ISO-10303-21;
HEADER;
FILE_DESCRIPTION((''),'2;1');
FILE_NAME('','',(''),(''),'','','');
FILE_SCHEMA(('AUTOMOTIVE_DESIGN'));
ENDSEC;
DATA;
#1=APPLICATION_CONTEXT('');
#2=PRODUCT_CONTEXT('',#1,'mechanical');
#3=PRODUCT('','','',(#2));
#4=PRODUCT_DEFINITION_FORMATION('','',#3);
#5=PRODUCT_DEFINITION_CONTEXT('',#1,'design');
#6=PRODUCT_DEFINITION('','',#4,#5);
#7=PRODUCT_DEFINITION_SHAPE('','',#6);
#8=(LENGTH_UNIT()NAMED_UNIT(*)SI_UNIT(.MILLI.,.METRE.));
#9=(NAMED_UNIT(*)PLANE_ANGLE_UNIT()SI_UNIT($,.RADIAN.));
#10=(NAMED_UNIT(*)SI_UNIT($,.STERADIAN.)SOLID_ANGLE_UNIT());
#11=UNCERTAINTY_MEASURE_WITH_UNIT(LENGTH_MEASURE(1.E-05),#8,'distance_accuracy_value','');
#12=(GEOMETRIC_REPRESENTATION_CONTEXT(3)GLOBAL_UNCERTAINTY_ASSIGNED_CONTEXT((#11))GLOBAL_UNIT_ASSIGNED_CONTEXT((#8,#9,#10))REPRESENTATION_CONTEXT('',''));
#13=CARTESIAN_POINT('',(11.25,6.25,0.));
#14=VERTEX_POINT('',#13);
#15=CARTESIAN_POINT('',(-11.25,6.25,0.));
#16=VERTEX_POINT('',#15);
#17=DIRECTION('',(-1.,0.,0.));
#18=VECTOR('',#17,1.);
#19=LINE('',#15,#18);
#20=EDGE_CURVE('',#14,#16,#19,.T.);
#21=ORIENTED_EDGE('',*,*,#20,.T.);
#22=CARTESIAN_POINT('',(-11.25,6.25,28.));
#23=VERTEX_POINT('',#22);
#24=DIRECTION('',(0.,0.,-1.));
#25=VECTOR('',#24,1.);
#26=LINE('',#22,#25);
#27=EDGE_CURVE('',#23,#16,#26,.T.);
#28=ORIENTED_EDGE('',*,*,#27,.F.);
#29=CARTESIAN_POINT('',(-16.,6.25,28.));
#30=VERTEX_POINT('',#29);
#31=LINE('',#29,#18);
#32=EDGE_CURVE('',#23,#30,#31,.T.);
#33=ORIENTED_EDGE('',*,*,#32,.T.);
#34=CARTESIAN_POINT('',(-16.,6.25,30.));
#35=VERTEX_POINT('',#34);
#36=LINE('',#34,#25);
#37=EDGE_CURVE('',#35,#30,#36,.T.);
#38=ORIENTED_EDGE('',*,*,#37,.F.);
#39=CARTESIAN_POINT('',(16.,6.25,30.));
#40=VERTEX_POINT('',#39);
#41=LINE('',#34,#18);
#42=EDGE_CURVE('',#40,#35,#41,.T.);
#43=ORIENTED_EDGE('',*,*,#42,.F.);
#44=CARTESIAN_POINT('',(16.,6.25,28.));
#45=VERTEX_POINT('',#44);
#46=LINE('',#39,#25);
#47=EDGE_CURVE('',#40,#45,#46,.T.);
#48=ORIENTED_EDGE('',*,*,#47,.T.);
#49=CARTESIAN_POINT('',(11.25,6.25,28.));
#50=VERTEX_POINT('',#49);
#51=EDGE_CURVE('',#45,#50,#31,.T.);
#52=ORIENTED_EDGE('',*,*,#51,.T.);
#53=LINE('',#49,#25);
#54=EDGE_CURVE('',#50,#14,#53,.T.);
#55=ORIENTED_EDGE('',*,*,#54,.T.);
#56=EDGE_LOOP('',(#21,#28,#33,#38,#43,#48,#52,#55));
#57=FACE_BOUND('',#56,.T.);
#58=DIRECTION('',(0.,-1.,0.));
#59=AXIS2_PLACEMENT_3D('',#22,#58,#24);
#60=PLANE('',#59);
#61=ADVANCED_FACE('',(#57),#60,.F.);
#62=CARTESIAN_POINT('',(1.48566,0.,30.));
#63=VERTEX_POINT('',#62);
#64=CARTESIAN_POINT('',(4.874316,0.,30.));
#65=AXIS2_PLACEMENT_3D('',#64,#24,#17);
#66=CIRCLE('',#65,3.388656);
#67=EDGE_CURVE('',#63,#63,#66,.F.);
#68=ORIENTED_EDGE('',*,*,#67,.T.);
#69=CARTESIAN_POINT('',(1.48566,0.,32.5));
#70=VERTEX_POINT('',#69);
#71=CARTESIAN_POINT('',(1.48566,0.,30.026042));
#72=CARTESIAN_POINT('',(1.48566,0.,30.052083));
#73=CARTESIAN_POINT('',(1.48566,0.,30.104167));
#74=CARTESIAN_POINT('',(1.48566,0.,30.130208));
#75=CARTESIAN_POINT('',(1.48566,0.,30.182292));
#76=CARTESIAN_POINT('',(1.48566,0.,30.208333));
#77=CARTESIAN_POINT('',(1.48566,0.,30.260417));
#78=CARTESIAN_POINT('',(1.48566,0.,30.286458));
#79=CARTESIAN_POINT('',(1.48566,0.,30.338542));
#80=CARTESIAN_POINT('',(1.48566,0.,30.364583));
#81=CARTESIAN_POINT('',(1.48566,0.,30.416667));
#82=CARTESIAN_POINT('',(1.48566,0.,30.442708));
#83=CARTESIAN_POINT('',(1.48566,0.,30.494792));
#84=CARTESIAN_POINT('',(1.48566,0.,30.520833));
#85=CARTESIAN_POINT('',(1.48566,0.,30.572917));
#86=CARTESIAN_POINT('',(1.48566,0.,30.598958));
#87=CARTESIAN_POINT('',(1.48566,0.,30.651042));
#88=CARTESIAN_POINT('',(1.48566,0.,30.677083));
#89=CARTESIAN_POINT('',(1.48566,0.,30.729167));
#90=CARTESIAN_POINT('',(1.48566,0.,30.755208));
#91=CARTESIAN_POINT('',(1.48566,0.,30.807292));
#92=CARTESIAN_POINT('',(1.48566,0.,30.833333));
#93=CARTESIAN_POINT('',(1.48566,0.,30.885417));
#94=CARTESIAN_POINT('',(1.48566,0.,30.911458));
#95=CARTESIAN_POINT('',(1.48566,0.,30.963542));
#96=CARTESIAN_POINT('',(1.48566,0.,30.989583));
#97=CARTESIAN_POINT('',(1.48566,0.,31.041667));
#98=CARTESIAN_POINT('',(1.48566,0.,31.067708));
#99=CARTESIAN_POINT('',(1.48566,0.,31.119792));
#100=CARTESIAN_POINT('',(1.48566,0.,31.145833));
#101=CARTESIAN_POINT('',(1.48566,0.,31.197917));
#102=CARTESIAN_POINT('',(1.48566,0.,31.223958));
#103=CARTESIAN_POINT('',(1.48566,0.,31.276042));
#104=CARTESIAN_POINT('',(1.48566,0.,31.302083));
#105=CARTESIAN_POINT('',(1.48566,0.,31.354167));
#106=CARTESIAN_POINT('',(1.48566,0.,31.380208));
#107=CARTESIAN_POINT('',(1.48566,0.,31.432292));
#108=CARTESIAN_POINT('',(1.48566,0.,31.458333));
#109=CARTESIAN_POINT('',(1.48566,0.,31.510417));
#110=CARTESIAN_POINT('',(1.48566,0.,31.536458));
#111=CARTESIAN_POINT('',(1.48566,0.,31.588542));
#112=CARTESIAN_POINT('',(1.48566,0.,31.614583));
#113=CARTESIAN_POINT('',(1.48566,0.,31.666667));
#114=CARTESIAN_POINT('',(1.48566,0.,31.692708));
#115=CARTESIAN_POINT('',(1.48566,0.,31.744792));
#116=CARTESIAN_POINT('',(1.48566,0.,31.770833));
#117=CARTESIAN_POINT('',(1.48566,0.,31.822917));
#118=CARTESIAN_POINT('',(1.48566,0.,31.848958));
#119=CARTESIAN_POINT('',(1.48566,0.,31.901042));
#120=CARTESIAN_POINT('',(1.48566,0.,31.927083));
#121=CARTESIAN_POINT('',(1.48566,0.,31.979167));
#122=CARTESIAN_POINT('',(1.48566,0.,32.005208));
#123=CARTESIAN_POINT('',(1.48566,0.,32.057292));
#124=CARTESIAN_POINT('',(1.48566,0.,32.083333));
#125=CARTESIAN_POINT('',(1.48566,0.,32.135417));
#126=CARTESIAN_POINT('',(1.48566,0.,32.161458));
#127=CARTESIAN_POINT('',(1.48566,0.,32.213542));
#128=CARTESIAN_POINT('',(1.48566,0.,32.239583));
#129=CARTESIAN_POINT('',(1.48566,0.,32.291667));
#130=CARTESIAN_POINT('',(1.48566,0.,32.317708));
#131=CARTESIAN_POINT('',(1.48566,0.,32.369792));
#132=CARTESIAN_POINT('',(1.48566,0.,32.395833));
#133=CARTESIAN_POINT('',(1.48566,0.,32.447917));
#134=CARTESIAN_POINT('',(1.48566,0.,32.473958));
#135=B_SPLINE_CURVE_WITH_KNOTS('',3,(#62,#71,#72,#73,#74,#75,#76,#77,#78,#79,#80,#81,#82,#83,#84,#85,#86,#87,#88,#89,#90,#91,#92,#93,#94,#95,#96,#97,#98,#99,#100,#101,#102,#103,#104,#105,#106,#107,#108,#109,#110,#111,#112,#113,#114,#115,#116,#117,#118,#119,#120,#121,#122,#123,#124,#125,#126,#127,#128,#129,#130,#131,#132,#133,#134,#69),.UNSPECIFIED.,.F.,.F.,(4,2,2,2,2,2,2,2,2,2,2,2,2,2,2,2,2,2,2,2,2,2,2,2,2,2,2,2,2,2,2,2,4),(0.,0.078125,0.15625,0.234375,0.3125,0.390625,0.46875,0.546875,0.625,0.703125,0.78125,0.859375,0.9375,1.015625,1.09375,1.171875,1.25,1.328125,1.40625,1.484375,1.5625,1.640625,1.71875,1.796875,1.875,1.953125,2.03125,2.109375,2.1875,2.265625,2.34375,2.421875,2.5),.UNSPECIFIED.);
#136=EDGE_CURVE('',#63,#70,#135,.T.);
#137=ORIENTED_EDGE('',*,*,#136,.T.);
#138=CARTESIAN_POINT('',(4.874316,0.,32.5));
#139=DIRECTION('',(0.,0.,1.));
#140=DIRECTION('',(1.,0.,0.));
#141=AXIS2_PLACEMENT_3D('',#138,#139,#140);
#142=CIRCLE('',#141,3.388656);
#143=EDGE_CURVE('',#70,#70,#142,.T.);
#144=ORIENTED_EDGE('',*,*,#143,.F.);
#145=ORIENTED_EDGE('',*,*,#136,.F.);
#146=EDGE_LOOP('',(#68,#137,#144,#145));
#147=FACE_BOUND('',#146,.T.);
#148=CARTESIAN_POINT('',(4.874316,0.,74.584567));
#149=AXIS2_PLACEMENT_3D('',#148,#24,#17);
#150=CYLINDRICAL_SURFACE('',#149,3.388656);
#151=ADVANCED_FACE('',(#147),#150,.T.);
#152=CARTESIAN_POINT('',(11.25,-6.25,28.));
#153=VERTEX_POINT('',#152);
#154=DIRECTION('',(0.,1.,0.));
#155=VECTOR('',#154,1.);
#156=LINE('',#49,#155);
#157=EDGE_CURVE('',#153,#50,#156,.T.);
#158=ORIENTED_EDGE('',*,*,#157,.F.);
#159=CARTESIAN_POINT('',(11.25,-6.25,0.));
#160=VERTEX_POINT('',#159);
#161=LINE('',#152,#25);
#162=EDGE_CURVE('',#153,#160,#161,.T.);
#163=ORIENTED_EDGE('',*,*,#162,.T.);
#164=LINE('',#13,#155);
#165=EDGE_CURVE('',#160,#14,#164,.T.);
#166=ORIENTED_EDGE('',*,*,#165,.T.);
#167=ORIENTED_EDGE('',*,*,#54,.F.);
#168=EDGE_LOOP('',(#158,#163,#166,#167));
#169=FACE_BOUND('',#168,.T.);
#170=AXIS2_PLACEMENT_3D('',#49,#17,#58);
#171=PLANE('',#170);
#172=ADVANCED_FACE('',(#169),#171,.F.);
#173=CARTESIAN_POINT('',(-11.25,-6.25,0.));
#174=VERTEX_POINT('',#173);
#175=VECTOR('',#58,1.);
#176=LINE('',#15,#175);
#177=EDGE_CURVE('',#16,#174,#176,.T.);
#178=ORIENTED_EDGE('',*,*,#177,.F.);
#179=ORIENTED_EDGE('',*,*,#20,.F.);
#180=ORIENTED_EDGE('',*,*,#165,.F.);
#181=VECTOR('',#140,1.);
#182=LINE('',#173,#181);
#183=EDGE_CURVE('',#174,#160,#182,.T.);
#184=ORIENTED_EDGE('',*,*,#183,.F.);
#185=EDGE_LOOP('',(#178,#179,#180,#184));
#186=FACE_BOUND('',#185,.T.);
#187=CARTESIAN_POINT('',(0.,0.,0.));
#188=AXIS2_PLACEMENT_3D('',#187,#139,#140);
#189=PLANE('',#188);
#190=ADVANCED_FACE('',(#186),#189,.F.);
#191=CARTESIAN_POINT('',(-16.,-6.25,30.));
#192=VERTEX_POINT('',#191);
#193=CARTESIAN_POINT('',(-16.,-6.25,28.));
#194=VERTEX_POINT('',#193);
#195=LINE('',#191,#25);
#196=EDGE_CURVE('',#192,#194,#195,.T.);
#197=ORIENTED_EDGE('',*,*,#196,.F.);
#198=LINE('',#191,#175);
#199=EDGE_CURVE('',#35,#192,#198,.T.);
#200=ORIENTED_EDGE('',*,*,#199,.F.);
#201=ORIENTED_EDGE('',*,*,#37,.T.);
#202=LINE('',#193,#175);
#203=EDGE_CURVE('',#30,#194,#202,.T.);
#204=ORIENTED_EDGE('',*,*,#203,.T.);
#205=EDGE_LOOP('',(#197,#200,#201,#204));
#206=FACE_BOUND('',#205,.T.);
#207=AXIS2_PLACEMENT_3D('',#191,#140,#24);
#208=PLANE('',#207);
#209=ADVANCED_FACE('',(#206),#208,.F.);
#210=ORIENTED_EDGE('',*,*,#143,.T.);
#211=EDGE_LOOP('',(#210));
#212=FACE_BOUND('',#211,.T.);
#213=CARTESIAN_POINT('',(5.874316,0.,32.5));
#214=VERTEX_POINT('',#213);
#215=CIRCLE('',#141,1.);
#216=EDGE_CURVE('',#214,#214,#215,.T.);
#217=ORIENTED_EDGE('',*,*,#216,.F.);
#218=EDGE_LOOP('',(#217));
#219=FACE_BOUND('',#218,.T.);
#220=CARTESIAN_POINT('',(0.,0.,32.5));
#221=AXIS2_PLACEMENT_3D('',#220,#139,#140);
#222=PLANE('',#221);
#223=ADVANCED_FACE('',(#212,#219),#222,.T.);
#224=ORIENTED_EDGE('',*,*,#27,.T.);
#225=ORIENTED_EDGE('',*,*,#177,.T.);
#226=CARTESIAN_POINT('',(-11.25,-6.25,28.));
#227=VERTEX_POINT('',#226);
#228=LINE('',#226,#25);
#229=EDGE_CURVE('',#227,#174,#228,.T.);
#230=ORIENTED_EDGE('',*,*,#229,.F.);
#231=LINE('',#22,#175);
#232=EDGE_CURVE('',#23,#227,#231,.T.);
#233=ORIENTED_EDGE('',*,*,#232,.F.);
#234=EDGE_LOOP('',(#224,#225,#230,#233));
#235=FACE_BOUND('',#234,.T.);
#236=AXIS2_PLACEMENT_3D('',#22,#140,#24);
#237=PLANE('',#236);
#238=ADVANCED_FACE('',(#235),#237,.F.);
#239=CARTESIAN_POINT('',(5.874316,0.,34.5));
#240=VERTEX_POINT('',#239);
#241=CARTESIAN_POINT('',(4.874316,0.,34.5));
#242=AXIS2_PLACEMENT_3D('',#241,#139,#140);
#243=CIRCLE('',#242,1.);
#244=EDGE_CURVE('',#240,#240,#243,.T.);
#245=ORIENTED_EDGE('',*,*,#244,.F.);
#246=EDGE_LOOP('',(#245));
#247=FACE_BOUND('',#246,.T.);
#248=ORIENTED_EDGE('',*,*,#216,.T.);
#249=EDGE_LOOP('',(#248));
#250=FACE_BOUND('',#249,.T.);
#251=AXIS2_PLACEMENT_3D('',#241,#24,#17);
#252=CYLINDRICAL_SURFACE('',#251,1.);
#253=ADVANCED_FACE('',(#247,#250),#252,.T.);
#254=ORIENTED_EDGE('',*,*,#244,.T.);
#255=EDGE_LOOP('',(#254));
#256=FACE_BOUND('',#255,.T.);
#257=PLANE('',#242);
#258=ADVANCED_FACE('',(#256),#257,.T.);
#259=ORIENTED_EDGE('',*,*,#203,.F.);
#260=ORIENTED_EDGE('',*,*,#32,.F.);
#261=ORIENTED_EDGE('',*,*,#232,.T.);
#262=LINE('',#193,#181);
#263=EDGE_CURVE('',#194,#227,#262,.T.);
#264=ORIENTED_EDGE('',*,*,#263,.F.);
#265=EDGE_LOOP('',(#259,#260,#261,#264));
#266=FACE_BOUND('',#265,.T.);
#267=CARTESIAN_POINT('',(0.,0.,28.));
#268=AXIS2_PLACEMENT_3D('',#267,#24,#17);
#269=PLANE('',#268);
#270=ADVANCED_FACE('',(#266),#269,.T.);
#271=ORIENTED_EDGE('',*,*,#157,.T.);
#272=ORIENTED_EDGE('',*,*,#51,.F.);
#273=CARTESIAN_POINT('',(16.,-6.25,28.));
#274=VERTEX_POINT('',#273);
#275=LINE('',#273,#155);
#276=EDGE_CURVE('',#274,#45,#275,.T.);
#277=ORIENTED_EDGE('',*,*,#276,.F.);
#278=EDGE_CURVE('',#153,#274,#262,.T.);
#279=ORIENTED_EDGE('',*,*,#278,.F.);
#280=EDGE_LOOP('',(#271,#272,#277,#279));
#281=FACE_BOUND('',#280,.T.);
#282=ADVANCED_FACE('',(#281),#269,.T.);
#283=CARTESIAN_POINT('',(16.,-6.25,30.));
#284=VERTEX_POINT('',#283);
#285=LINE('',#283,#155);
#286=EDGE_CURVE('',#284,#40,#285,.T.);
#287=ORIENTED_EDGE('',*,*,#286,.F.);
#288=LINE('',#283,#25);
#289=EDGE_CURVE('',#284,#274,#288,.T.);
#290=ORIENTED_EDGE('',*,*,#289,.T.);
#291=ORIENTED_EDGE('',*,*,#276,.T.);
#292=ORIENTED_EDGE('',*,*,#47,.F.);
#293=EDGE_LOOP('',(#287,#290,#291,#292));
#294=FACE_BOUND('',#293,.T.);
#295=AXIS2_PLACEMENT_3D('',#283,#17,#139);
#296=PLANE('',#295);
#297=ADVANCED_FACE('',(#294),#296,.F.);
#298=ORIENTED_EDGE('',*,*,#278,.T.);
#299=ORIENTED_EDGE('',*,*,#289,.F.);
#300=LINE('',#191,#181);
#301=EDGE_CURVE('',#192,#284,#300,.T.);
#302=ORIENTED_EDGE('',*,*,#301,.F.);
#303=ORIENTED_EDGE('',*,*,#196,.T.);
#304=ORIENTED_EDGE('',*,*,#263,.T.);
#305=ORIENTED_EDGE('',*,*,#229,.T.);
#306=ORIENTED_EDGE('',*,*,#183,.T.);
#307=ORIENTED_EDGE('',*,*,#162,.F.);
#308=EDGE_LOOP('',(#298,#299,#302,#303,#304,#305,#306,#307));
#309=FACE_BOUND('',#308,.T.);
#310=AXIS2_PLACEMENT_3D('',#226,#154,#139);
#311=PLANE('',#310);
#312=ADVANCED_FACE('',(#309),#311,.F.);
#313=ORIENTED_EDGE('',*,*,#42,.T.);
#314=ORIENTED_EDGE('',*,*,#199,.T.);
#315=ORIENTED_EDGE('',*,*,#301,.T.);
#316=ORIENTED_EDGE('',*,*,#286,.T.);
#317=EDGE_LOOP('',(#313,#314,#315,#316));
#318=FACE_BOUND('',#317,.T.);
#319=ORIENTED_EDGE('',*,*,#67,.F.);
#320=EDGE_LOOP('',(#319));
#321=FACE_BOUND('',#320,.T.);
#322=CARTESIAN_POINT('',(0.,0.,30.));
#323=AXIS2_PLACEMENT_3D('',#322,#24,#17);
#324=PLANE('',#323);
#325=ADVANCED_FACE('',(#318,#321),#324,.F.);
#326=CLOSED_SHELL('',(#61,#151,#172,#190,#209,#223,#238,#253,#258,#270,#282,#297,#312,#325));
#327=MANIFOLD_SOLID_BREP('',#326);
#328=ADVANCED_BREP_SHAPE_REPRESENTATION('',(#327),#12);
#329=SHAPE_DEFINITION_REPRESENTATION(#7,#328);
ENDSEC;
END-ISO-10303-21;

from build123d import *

# Parameters (mm, degrees)
SKETCH_1_W      = 22.5
SKETCH_1_H      = 12.5
EXTRUDE_1_DEPTH = 28
SKETCH_2_W      = 32
SKETCH_2_H      = 12.5
EXTRUDE_2_DEPTH = 2
SKETCH_3_R      = 3.388656212
EXTRUDE_3_DEPTH = 2.5
SKETCH_4_R      = 1
EXTRUDE_4_DEPTH = 2


with BuildPart() as part:
    # 草图1 → 凸台-拉伸1 (new body)
    with BuildSketch(Plane.XY):
        Rectangle(SKETCH_1_W, SKETCH_1_H)
    extrude(amount=EXTRUDE_1_DEPTH)

    # 草图2 → 凸台-拉伸2 (add)
    with BuildSketch(Plane.XY.offset(28)):
        Rectangle(SKETCH_2_W, SKETCH_2_H)
    extrude(amount=EXTRUDE_2_DEPTH)

    # 草图3 → 凸台-拉伸3 (add)
    with BuildSketch(Plane.XY.offset(30)):
        with Locations(Location((4.874315739, 0, 0), (0, 0, 180))):
            Circle(SKETCH_3_R)
    extrude(amount=EXTRUDE_3_DEPTH)

    # 草图4 → 凸台-拉伸4 (add)
    with BuildSketch(Plane.XY.offset(32.5)):
        with Locations((4.874315739, 0)):
            Circle(SKETCH_4_R)
    extrude(amount=EXTRUDE_4_DEPTH)


solid = part.part
